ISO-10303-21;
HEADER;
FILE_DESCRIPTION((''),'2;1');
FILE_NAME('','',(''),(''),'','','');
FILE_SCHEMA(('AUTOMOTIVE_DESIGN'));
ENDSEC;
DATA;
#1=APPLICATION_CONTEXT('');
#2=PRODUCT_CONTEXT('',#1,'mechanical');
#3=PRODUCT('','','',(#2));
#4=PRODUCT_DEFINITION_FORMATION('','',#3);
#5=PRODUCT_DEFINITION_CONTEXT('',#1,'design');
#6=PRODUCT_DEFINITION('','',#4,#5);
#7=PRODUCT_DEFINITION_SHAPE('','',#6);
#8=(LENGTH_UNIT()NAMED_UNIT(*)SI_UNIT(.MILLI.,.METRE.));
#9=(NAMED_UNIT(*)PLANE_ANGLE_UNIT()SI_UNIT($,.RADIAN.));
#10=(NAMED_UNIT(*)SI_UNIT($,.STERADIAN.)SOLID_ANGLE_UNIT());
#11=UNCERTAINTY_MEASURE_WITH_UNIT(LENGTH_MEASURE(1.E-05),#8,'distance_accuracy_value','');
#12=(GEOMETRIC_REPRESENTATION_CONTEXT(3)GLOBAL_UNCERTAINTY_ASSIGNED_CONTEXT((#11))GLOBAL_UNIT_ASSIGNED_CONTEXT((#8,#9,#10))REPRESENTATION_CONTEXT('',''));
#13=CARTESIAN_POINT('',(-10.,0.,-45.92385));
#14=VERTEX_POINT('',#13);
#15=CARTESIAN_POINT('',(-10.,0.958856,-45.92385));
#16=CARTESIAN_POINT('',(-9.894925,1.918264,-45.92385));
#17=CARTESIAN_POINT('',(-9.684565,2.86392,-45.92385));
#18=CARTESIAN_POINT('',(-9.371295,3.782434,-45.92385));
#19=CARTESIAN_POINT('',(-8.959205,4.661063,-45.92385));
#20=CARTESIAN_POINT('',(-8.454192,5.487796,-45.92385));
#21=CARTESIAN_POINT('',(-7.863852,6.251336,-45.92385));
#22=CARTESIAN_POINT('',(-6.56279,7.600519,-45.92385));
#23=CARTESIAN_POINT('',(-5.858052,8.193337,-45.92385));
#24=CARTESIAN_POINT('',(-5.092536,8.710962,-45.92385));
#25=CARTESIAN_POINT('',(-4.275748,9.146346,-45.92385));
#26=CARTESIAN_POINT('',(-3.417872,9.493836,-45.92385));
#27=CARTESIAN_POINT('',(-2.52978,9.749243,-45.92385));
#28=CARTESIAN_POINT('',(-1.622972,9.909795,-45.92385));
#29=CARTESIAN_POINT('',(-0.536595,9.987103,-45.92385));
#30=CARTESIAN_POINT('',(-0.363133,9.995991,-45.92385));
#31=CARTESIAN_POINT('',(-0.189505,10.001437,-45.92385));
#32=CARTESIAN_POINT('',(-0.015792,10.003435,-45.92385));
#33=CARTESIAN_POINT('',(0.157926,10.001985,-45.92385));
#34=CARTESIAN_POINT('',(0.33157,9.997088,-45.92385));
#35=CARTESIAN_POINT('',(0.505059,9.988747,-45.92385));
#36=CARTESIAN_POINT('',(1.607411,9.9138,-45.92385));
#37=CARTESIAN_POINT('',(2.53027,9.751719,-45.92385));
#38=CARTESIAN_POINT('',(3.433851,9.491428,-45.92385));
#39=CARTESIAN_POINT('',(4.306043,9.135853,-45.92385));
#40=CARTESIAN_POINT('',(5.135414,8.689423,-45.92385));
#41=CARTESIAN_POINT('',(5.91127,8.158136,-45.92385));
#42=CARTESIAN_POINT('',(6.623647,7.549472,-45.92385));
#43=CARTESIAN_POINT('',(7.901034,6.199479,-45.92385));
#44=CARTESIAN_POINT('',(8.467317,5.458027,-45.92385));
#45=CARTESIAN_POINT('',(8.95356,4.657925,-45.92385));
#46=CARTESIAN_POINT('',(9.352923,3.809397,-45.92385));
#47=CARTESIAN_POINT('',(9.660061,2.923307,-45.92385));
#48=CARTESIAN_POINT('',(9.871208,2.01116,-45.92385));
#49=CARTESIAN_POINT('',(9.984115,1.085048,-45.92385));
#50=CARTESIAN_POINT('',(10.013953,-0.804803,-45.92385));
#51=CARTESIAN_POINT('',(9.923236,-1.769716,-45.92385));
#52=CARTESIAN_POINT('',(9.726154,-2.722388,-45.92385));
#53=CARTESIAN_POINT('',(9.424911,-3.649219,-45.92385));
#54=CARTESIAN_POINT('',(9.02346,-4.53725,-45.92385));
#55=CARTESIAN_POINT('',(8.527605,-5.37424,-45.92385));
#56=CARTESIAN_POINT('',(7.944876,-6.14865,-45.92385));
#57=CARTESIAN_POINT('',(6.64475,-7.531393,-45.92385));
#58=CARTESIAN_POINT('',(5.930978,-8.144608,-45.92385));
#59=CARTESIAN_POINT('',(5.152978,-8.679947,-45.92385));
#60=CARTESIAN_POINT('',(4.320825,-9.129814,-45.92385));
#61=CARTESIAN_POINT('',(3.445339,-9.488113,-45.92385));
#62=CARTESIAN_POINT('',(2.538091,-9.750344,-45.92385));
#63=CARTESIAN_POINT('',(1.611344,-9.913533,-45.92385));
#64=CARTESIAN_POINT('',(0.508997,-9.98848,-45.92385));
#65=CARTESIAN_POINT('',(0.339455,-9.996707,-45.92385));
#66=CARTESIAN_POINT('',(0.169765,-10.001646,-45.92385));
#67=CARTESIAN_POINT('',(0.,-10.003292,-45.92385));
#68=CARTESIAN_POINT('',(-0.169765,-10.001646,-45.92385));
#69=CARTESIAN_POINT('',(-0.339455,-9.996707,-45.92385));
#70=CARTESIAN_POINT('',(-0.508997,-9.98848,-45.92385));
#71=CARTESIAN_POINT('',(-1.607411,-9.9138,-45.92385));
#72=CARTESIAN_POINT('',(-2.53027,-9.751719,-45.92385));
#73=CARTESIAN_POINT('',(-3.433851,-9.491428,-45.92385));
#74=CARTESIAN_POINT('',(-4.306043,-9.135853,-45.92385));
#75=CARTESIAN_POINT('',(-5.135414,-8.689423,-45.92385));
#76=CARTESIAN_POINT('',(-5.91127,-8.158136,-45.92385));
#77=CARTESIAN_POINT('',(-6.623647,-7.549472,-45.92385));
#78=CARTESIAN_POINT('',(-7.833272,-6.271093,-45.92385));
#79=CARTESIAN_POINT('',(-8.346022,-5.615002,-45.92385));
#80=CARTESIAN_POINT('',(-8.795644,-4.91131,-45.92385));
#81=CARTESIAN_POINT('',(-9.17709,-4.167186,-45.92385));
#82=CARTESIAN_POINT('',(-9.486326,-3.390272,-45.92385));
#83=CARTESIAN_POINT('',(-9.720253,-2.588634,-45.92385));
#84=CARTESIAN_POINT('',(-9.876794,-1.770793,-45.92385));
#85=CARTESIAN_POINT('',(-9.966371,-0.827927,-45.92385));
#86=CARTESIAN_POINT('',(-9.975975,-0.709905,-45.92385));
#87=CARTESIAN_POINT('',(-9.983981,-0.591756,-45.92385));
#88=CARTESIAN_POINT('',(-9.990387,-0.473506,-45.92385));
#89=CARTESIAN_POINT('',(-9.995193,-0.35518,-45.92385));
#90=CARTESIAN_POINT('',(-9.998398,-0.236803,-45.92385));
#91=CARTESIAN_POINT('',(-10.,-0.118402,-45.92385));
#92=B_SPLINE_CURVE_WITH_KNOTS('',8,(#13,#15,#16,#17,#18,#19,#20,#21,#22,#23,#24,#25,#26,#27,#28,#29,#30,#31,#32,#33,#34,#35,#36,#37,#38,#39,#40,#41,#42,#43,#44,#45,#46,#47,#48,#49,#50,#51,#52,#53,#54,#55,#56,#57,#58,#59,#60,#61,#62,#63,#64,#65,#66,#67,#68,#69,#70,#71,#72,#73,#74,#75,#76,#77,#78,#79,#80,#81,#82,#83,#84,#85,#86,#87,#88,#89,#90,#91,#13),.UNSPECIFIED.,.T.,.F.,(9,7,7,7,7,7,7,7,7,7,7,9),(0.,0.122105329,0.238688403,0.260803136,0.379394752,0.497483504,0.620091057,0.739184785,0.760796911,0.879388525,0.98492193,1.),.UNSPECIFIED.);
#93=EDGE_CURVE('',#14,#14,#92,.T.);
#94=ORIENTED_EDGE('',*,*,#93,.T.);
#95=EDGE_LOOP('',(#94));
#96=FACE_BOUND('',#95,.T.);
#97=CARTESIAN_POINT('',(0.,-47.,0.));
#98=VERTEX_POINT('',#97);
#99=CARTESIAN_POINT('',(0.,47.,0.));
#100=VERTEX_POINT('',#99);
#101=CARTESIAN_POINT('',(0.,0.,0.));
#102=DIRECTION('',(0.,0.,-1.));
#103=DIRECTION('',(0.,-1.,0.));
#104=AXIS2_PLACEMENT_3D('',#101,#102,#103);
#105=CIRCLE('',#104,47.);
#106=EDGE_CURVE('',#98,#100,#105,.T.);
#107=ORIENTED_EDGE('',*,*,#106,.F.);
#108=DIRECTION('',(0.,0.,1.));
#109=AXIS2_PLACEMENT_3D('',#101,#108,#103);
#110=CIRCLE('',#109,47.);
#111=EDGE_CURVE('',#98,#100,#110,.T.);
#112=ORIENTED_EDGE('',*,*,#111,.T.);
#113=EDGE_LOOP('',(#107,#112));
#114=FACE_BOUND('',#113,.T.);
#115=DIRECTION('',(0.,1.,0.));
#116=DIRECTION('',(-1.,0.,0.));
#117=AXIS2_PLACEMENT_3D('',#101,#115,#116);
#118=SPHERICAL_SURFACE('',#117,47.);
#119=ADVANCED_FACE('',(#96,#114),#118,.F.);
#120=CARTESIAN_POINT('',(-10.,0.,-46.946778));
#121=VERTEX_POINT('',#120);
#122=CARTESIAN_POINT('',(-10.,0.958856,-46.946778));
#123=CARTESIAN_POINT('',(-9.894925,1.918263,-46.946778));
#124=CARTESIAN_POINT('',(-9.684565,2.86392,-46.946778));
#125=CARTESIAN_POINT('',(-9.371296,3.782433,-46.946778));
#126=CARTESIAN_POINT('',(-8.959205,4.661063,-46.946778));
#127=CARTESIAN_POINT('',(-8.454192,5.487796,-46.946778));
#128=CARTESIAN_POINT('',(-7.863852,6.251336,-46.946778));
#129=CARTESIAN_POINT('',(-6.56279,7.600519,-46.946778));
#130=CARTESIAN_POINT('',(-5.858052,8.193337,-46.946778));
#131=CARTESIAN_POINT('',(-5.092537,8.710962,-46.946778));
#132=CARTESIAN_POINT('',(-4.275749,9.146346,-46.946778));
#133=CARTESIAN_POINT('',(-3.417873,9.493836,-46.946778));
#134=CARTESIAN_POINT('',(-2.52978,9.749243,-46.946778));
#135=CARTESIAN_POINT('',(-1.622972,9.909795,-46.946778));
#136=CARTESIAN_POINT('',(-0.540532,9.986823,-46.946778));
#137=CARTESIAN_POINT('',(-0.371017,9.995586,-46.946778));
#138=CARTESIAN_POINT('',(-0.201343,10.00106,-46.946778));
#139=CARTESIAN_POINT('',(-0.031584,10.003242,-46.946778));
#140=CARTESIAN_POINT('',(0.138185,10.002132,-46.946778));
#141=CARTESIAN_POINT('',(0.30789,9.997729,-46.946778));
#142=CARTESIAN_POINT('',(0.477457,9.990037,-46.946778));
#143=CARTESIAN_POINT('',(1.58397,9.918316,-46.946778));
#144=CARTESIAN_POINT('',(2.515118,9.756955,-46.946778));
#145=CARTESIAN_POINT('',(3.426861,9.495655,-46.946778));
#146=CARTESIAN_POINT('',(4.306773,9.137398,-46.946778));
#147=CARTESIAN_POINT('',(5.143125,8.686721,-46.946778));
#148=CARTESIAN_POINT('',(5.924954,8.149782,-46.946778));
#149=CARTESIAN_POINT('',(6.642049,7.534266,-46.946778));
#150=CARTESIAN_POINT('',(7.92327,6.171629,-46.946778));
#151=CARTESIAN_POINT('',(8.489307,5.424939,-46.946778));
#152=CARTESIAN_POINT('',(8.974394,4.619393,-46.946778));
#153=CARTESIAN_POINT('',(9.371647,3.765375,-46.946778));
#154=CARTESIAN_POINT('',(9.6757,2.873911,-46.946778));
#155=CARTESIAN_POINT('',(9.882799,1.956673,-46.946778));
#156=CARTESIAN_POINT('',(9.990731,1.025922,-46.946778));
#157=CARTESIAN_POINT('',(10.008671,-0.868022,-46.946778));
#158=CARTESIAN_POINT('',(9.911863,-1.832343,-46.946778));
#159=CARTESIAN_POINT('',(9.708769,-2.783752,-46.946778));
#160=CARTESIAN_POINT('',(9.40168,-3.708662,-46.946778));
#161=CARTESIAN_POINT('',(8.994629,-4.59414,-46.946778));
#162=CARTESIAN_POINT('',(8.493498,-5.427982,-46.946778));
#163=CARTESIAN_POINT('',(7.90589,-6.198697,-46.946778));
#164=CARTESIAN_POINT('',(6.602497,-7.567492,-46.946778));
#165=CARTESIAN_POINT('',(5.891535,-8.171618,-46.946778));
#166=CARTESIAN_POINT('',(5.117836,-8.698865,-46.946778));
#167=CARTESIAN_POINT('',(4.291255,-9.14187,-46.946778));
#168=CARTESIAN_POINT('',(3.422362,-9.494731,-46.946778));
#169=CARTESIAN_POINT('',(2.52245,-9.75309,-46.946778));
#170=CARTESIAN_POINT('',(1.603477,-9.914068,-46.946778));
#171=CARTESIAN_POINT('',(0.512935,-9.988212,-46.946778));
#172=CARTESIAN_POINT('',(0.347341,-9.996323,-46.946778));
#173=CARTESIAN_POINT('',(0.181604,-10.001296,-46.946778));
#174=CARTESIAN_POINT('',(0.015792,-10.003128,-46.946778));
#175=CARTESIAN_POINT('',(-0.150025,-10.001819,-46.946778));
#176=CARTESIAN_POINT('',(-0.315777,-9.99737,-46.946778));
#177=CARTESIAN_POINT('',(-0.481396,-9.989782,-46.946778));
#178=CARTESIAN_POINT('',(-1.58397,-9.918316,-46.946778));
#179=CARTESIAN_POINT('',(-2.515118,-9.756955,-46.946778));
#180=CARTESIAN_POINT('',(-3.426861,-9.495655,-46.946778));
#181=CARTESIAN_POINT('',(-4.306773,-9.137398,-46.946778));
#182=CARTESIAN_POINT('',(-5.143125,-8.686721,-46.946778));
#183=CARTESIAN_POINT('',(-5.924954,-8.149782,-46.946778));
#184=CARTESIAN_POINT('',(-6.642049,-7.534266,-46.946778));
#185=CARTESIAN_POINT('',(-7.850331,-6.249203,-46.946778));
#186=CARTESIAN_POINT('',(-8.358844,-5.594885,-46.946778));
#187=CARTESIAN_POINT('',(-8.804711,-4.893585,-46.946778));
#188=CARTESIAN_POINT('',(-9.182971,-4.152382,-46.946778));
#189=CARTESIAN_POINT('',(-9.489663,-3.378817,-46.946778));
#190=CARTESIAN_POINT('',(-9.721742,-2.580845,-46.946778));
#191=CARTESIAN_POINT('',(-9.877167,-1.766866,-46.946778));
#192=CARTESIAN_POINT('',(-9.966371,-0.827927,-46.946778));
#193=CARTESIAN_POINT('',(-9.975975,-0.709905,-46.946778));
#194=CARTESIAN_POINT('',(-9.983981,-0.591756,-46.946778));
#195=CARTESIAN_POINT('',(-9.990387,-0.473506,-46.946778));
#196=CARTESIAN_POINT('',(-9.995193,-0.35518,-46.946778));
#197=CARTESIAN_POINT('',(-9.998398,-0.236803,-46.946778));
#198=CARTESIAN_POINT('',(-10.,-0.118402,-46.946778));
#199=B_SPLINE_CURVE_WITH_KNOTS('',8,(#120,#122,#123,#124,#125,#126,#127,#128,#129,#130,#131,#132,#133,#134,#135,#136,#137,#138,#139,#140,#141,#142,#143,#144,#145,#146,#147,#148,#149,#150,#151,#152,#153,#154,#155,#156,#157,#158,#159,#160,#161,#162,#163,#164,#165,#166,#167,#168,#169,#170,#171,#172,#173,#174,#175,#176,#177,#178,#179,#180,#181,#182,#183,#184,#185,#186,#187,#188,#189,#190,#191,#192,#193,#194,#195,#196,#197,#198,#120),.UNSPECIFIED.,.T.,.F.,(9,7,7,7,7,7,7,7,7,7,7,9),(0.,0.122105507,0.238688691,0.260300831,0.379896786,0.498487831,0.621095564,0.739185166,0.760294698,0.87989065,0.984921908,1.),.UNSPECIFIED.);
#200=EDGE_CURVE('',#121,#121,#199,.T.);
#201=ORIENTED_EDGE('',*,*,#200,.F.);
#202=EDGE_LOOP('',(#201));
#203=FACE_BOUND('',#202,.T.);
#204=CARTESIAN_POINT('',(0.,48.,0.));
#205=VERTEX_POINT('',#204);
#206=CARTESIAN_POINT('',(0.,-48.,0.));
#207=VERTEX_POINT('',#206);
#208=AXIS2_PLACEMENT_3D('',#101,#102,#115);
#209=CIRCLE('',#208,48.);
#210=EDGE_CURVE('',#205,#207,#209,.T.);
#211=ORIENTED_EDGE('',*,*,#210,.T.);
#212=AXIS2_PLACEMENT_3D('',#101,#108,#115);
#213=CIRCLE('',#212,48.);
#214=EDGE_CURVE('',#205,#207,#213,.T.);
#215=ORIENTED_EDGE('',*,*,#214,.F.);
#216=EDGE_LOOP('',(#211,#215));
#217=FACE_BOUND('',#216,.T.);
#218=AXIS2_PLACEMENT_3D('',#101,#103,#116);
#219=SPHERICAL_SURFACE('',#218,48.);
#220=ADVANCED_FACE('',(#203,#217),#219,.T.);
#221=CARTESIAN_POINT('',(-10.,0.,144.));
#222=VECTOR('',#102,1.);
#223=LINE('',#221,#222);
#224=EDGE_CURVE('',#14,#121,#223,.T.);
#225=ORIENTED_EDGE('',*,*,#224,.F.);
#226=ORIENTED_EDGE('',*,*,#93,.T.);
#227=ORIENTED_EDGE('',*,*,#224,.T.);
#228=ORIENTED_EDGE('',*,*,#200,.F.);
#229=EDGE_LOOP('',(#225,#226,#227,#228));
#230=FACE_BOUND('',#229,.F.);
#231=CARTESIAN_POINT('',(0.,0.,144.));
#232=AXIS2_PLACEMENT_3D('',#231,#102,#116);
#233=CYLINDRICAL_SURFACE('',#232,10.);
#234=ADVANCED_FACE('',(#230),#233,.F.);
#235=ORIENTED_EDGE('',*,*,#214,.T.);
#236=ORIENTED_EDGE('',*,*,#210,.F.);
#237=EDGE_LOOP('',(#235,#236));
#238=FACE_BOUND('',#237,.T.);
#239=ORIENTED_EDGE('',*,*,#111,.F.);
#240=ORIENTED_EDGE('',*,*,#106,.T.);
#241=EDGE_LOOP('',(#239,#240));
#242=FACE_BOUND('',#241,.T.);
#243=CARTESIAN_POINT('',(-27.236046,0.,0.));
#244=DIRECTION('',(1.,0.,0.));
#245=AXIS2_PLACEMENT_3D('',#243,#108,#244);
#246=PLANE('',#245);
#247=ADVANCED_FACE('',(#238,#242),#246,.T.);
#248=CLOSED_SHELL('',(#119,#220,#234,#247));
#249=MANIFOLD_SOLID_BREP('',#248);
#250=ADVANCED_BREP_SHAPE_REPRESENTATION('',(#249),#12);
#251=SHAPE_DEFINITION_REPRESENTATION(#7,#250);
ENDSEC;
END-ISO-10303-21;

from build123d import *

# Parameters (mm, degrees)
F1_ANGLE = 180
F3_D     = 20


with BuildPart() as f1:
    # F0 (on Top) → F1 (revolve)
    with BuildSketch(Plane.XY):
        with BuildLine():
            Line((0, 47), (0, 48))
            ThreePointArc((0, 48), (-48, 0), (0, -48))
            Line((0, -48), (0, -47))
            ThreePointArc((0, -47), (-47, 0), (0, 47))
        make_face()
    revolve(axis=Axis((0, 47.5, 0), (0, -1, 0)), revolution_arc=F1_ANGLE)

    # F3 (through all)
    with Locations(Plane.XY):
        with Locations((0, 0)):
            Hole(F3_D / 2)


solid = f1.part
